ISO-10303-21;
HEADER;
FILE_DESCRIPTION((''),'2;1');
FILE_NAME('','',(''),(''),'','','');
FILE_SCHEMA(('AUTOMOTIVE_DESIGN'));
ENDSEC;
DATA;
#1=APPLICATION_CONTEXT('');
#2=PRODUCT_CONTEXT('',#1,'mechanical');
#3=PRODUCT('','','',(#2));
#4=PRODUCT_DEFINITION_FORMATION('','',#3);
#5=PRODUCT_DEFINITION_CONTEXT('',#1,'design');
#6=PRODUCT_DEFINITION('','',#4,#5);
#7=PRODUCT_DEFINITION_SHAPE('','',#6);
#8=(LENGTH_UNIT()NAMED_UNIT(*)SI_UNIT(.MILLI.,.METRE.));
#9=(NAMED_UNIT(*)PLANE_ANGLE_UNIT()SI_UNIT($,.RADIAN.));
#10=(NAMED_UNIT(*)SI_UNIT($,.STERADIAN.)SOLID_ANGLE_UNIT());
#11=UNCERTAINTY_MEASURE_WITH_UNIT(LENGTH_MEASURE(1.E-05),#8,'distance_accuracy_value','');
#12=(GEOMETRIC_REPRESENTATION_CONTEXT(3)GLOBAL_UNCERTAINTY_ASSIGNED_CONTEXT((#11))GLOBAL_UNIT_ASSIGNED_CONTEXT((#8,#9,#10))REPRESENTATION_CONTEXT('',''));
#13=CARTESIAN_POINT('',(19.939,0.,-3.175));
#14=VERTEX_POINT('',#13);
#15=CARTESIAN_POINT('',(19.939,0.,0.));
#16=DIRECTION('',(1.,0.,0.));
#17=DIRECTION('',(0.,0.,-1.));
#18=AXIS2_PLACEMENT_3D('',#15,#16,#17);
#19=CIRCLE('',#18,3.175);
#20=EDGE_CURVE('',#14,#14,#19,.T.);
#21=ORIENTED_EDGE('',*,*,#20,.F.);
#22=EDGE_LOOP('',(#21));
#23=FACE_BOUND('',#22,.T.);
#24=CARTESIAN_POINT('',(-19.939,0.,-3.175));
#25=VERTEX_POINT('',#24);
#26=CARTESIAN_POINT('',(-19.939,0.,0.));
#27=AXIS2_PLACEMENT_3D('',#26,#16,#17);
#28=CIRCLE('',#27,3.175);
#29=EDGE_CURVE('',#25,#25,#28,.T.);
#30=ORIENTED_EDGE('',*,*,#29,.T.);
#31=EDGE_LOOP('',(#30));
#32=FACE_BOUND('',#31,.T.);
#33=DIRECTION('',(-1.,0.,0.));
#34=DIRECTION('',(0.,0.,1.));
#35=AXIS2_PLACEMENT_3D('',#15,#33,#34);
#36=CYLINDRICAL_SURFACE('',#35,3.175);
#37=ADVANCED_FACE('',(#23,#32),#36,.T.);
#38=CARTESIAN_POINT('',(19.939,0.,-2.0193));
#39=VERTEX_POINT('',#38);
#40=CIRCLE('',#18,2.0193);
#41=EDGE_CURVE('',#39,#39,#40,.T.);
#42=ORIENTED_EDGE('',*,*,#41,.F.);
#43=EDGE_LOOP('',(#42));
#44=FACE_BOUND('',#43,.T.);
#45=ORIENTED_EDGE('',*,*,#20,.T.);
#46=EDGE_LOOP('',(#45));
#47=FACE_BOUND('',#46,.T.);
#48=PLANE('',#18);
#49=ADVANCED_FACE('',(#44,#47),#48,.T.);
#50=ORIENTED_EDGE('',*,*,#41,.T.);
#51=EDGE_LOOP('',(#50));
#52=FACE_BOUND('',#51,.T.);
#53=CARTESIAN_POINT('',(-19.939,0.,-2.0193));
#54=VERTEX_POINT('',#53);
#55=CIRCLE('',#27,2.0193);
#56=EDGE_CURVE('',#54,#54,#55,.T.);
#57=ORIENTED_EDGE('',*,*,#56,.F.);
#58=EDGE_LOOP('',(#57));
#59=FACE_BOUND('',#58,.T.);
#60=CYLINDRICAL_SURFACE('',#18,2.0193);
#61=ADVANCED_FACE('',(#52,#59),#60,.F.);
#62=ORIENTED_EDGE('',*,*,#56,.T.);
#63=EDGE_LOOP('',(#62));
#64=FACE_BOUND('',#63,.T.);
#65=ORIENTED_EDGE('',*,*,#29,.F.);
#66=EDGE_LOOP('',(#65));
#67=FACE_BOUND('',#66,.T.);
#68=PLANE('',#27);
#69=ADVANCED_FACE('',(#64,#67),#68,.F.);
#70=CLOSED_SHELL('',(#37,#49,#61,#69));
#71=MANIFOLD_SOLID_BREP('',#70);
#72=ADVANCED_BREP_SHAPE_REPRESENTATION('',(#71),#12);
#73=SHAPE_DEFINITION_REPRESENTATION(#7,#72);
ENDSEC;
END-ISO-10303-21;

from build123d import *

# Parameters (mm, degrees)
SKETCH1_R              = 3.175
SKETCH1_R_2            = 1.9304
BOSS_EXTRUDE1_DEPTH    = 19.939
F_10_32_TAPPED_HOLE1_D = 4.0386


with BuildPart() as part:
    # Sketch1 → Boss-Extrude1 (new body, symmetric)
    with BuildSketch(Plane(origin=(0, 0, 0), x_dir=(0, 0, -1), z_dir=(1, 0, 0))):
        Circle(SKETCH1_R)
        Circle(SKETCH1_R_2, mode=Mode.SUBTRACT)
    extrude(amount=BOSS_EXTRUDE1_DEPTH, both=True)

    # #10-32 Tapped Hole1 (through all)
    with Locations(Plane(origin=(19.939, 0, 0), x_dir=(0, 0, -1), z_dir=(1, 0, 0))):
        with Locations((0, 0)):
            Hole(F_10_32_TAPPED_HOLE1_D / 2)


solid = part.part
